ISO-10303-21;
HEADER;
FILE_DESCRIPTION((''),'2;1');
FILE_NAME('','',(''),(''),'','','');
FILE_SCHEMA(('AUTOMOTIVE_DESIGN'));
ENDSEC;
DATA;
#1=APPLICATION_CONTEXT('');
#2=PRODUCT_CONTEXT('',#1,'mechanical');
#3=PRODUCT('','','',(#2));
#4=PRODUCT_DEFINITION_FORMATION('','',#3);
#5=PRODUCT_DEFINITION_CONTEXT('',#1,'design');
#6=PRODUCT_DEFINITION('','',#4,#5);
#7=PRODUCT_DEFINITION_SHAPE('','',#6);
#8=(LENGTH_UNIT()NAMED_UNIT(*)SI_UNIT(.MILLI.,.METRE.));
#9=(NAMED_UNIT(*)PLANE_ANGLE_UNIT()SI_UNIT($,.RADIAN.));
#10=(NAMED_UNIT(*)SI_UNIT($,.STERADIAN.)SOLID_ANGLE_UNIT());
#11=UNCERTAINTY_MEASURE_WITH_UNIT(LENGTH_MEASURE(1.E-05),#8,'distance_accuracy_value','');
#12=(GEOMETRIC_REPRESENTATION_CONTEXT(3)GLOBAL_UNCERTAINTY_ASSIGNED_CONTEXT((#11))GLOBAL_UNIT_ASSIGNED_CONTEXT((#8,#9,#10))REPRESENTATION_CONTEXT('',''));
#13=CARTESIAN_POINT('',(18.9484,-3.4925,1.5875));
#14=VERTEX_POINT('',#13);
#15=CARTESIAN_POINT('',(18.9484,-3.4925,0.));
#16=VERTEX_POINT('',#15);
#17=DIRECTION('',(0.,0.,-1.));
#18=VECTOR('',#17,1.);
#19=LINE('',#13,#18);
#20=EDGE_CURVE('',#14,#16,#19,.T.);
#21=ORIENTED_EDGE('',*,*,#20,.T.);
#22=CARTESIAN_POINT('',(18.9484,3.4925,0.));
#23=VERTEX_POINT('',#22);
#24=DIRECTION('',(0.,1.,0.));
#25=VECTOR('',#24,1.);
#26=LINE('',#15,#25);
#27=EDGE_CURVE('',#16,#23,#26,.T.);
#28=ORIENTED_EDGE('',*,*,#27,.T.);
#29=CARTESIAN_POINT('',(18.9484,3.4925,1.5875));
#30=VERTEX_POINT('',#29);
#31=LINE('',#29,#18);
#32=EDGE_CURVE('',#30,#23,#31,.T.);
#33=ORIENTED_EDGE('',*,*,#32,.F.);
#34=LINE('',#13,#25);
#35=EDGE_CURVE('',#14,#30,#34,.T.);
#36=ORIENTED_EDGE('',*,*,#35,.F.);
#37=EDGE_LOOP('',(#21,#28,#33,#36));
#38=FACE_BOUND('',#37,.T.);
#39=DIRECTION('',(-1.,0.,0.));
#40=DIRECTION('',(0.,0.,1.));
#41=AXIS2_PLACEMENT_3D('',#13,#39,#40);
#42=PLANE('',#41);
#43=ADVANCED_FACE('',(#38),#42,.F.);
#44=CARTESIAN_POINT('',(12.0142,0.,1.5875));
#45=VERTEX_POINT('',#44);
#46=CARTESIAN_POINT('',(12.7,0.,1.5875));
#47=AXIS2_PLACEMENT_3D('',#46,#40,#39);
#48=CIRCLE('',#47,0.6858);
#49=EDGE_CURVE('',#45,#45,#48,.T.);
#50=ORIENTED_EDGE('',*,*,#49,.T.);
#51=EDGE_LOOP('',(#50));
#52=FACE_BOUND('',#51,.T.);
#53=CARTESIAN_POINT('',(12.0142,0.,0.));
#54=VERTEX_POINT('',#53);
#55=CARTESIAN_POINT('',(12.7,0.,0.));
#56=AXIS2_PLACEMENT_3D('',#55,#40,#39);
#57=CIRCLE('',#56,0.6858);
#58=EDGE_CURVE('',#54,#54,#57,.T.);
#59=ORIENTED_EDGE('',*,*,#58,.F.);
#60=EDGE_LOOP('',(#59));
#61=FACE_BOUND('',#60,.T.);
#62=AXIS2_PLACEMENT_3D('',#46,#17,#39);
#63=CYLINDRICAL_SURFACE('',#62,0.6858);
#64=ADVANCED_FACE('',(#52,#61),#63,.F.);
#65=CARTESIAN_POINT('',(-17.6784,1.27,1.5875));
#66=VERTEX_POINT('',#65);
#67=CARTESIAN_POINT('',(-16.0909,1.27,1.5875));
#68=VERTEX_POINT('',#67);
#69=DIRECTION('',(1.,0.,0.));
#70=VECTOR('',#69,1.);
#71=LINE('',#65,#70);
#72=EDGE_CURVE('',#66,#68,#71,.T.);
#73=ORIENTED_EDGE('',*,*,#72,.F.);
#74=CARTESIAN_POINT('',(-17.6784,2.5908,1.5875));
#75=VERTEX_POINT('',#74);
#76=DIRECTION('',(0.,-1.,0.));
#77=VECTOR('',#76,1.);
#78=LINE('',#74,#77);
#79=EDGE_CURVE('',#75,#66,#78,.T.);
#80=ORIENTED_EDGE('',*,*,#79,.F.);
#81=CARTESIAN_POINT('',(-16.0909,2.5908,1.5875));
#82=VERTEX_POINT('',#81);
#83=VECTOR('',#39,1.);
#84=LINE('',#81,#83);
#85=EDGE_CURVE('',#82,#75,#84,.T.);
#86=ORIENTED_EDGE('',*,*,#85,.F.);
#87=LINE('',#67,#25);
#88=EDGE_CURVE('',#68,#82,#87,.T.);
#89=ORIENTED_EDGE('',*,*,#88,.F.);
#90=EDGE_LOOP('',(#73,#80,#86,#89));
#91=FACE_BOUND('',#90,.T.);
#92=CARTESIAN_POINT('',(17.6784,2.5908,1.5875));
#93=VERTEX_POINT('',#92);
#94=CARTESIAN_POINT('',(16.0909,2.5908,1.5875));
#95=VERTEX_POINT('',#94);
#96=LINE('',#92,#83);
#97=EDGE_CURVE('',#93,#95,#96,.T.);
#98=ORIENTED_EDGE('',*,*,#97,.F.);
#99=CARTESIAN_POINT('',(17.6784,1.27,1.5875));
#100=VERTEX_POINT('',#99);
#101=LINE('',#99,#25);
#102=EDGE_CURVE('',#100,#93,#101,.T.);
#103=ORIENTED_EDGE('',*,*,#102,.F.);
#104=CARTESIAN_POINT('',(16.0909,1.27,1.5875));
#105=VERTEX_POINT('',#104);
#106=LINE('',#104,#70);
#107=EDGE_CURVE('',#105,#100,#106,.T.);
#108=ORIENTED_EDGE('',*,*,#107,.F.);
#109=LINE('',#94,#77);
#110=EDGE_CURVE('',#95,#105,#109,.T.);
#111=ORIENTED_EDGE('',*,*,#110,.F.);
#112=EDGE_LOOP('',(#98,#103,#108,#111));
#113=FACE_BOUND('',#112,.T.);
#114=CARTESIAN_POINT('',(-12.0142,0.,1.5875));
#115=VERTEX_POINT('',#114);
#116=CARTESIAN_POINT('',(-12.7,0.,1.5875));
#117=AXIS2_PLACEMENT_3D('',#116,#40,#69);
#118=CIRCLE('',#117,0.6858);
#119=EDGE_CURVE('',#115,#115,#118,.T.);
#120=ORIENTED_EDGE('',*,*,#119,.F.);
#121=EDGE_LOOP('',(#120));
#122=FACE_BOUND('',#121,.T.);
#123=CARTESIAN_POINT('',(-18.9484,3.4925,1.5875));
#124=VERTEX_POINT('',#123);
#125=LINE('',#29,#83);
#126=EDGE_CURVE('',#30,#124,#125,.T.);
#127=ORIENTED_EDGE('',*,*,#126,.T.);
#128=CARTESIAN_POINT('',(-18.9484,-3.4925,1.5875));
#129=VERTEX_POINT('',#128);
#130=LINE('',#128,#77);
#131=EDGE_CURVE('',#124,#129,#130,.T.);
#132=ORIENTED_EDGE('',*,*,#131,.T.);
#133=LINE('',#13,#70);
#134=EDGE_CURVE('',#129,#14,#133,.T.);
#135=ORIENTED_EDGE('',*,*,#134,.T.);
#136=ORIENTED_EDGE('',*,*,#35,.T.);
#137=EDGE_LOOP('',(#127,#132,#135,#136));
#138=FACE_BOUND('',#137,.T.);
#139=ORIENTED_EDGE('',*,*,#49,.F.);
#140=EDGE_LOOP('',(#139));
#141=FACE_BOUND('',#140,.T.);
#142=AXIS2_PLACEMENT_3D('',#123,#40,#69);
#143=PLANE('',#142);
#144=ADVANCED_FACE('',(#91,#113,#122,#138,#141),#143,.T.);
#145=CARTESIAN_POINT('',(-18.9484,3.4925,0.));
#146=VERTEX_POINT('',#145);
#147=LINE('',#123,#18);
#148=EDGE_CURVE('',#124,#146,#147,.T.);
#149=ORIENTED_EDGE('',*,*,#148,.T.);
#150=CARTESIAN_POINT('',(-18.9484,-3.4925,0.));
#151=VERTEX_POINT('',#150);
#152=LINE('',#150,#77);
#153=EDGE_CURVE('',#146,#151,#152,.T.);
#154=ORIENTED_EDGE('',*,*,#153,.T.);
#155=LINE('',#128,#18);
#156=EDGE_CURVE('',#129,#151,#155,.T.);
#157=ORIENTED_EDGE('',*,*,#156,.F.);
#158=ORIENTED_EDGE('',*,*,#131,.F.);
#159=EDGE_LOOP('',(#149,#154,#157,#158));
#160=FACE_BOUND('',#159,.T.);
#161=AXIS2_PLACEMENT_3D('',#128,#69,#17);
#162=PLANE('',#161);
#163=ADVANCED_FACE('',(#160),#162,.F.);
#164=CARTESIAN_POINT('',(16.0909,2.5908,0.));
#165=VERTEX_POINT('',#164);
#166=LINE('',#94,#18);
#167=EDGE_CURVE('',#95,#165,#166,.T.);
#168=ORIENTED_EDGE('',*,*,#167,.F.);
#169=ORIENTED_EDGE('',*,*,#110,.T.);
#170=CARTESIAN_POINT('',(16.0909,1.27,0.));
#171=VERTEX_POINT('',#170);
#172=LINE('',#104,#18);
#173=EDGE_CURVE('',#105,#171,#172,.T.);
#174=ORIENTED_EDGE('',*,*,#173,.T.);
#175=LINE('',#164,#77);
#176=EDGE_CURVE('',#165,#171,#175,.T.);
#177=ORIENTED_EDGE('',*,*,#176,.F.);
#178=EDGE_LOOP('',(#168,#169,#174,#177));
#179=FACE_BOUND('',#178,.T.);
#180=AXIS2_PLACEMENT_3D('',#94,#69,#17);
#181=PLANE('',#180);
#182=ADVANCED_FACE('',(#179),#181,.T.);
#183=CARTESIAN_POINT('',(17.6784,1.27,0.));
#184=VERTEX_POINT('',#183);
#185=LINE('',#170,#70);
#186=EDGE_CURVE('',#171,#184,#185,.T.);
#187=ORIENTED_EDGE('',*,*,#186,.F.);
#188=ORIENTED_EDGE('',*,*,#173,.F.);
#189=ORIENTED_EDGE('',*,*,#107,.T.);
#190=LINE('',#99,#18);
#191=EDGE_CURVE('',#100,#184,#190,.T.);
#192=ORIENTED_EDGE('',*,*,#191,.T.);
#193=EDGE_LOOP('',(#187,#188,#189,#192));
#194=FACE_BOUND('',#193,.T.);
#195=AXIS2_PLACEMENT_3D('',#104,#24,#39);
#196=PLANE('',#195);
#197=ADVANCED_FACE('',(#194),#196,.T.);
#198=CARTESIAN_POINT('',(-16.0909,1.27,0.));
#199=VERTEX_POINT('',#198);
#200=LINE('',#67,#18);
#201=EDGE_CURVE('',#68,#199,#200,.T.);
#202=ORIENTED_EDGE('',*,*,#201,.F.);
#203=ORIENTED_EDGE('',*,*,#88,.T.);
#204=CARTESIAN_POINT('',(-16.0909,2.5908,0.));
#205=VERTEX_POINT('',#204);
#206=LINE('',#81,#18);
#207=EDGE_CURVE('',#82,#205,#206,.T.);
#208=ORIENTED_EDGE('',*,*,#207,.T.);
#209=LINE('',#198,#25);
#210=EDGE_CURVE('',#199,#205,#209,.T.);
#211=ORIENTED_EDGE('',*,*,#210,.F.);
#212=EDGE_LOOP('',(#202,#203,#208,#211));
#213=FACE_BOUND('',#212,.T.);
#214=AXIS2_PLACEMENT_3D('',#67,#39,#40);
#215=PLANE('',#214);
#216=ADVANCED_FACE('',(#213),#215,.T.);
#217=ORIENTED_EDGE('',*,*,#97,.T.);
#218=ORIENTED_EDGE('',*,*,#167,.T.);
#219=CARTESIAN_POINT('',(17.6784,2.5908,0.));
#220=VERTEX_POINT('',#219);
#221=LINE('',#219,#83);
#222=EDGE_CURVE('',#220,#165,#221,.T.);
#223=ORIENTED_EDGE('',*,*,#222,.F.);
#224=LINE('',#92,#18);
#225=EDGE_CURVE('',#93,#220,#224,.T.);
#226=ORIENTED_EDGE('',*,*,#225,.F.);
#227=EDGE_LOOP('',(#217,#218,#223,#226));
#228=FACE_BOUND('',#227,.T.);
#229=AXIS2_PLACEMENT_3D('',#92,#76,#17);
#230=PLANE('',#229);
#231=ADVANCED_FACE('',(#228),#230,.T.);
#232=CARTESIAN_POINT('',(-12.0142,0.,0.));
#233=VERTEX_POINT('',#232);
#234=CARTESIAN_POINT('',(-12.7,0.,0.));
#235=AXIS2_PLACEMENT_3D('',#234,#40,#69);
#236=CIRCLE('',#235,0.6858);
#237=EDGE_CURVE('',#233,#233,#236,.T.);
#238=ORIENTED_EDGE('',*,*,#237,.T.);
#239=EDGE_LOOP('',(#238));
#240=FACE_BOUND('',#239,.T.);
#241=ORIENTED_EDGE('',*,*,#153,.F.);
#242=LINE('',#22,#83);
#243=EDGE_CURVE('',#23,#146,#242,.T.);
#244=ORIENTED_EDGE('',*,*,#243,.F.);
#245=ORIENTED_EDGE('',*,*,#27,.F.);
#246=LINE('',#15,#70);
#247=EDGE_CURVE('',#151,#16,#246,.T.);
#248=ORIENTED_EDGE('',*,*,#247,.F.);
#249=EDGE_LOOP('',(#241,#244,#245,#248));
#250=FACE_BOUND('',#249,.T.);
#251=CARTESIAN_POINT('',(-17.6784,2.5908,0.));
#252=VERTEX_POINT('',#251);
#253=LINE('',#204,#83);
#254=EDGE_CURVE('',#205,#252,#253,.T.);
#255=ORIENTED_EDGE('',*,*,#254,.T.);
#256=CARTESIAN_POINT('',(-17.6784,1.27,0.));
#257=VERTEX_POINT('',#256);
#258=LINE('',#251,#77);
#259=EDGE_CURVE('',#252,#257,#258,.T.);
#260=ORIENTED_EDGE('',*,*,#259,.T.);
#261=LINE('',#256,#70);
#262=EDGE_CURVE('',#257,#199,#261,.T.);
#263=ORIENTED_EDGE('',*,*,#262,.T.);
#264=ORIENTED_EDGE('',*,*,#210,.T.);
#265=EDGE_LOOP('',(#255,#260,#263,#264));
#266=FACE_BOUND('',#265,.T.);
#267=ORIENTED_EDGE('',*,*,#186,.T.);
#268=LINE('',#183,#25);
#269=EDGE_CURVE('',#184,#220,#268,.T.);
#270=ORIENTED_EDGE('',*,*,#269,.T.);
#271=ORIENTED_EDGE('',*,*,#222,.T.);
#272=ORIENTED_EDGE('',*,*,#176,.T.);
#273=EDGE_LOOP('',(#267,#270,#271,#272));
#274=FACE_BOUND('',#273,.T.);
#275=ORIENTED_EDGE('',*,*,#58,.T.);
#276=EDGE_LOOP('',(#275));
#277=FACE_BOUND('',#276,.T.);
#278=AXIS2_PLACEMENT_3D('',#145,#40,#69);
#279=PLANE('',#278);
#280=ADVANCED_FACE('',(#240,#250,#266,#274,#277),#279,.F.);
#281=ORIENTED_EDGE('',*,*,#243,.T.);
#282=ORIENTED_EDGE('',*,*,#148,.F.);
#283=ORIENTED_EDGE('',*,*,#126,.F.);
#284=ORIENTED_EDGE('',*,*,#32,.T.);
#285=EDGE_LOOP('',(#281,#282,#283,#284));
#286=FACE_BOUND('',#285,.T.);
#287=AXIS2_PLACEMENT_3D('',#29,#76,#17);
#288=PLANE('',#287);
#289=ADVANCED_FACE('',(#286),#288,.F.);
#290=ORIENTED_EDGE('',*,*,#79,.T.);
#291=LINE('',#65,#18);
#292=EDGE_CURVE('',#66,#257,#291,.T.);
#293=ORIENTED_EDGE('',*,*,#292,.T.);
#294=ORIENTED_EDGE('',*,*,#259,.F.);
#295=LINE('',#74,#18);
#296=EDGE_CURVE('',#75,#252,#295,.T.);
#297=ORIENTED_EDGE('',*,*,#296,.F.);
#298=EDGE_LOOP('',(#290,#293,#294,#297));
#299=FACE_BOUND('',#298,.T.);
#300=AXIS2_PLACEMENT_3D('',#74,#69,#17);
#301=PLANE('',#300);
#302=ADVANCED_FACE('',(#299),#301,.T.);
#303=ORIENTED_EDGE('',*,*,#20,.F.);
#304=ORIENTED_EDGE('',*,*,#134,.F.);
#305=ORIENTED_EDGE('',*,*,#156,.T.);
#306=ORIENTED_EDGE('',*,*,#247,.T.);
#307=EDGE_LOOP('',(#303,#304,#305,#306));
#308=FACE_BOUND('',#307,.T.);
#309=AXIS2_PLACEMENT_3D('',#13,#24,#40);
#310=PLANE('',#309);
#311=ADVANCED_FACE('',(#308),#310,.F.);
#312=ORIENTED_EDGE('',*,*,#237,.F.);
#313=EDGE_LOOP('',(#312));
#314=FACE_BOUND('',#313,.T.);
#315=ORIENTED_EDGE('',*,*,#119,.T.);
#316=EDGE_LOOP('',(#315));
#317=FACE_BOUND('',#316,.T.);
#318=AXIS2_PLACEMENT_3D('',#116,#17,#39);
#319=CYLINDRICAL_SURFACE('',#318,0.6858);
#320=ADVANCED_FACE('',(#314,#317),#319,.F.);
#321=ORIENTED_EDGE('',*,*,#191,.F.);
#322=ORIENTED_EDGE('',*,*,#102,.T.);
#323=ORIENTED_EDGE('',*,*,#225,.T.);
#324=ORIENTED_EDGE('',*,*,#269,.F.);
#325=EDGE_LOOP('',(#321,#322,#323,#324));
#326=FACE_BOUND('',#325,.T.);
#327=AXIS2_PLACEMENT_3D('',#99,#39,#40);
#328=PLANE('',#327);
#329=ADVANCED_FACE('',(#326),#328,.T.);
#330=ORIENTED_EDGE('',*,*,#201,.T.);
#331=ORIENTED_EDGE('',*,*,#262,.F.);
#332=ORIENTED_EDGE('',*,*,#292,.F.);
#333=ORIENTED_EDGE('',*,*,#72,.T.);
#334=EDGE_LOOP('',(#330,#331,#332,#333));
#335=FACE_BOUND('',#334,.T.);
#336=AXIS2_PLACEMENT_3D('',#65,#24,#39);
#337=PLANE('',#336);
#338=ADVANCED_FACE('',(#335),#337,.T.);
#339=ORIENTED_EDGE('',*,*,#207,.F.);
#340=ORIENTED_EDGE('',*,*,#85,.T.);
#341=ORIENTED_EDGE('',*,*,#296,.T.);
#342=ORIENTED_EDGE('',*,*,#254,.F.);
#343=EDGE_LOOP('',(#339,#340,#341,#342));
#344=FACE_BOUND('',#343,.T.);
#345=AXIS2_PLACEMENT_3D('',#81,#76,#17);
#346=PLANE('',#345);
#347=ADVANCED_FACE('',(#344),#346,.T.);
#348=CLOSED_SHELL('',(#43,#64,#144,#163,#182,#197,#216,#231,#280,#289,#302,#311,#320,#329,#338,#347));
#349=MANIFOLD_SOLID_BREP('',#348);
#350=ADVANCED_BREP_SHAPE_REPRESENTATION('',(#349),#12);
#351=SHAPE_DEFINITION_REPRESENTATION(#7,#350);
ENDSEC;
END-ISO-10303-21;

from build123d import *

# Parameters (mm, degrees)
SKETCH1_W           = 37.8968
SKETCH1_H           = 6.985
SKETCH1_R           = 0.6858
SKETCH1_W_2         = 1.5875
SKETCH1_H_2         = 1.3208
BOSS_EXTRUDE1_DEPTH = 1.5875


with BuildPart() as part:
    # Sketch1 → Boss-Extrude1 (new body)
    with BuildSketch(Plane.XY):
        Rectangle(SKETCH1_W, SKETCH1_H)
        with Locations((-12.7, 0)):
            Circle(SKETCH1_R, mode=Mode.SUBTRACT)
        with Locations(Location((12.7, 0, 0), (0, 0, 180))):
            Circle(SKETCH1_R, mode=Mode.SUBTRACT)
        with Locations((-16.88465, 1.9304)):
            Rectangle(SKETCH1_W_2, SKETCH1_H_2, mode=Mode.SUBTRACT)
        with Locations((16.88465, 1.9304)):
            Rectangle(SKETCH1_W_2, SKETCH1_H_2, mode=Mode.SUBTRACT)
    extrude(amount=BOSS_EXTRUDE1_DEPTH)


solid = part.part
